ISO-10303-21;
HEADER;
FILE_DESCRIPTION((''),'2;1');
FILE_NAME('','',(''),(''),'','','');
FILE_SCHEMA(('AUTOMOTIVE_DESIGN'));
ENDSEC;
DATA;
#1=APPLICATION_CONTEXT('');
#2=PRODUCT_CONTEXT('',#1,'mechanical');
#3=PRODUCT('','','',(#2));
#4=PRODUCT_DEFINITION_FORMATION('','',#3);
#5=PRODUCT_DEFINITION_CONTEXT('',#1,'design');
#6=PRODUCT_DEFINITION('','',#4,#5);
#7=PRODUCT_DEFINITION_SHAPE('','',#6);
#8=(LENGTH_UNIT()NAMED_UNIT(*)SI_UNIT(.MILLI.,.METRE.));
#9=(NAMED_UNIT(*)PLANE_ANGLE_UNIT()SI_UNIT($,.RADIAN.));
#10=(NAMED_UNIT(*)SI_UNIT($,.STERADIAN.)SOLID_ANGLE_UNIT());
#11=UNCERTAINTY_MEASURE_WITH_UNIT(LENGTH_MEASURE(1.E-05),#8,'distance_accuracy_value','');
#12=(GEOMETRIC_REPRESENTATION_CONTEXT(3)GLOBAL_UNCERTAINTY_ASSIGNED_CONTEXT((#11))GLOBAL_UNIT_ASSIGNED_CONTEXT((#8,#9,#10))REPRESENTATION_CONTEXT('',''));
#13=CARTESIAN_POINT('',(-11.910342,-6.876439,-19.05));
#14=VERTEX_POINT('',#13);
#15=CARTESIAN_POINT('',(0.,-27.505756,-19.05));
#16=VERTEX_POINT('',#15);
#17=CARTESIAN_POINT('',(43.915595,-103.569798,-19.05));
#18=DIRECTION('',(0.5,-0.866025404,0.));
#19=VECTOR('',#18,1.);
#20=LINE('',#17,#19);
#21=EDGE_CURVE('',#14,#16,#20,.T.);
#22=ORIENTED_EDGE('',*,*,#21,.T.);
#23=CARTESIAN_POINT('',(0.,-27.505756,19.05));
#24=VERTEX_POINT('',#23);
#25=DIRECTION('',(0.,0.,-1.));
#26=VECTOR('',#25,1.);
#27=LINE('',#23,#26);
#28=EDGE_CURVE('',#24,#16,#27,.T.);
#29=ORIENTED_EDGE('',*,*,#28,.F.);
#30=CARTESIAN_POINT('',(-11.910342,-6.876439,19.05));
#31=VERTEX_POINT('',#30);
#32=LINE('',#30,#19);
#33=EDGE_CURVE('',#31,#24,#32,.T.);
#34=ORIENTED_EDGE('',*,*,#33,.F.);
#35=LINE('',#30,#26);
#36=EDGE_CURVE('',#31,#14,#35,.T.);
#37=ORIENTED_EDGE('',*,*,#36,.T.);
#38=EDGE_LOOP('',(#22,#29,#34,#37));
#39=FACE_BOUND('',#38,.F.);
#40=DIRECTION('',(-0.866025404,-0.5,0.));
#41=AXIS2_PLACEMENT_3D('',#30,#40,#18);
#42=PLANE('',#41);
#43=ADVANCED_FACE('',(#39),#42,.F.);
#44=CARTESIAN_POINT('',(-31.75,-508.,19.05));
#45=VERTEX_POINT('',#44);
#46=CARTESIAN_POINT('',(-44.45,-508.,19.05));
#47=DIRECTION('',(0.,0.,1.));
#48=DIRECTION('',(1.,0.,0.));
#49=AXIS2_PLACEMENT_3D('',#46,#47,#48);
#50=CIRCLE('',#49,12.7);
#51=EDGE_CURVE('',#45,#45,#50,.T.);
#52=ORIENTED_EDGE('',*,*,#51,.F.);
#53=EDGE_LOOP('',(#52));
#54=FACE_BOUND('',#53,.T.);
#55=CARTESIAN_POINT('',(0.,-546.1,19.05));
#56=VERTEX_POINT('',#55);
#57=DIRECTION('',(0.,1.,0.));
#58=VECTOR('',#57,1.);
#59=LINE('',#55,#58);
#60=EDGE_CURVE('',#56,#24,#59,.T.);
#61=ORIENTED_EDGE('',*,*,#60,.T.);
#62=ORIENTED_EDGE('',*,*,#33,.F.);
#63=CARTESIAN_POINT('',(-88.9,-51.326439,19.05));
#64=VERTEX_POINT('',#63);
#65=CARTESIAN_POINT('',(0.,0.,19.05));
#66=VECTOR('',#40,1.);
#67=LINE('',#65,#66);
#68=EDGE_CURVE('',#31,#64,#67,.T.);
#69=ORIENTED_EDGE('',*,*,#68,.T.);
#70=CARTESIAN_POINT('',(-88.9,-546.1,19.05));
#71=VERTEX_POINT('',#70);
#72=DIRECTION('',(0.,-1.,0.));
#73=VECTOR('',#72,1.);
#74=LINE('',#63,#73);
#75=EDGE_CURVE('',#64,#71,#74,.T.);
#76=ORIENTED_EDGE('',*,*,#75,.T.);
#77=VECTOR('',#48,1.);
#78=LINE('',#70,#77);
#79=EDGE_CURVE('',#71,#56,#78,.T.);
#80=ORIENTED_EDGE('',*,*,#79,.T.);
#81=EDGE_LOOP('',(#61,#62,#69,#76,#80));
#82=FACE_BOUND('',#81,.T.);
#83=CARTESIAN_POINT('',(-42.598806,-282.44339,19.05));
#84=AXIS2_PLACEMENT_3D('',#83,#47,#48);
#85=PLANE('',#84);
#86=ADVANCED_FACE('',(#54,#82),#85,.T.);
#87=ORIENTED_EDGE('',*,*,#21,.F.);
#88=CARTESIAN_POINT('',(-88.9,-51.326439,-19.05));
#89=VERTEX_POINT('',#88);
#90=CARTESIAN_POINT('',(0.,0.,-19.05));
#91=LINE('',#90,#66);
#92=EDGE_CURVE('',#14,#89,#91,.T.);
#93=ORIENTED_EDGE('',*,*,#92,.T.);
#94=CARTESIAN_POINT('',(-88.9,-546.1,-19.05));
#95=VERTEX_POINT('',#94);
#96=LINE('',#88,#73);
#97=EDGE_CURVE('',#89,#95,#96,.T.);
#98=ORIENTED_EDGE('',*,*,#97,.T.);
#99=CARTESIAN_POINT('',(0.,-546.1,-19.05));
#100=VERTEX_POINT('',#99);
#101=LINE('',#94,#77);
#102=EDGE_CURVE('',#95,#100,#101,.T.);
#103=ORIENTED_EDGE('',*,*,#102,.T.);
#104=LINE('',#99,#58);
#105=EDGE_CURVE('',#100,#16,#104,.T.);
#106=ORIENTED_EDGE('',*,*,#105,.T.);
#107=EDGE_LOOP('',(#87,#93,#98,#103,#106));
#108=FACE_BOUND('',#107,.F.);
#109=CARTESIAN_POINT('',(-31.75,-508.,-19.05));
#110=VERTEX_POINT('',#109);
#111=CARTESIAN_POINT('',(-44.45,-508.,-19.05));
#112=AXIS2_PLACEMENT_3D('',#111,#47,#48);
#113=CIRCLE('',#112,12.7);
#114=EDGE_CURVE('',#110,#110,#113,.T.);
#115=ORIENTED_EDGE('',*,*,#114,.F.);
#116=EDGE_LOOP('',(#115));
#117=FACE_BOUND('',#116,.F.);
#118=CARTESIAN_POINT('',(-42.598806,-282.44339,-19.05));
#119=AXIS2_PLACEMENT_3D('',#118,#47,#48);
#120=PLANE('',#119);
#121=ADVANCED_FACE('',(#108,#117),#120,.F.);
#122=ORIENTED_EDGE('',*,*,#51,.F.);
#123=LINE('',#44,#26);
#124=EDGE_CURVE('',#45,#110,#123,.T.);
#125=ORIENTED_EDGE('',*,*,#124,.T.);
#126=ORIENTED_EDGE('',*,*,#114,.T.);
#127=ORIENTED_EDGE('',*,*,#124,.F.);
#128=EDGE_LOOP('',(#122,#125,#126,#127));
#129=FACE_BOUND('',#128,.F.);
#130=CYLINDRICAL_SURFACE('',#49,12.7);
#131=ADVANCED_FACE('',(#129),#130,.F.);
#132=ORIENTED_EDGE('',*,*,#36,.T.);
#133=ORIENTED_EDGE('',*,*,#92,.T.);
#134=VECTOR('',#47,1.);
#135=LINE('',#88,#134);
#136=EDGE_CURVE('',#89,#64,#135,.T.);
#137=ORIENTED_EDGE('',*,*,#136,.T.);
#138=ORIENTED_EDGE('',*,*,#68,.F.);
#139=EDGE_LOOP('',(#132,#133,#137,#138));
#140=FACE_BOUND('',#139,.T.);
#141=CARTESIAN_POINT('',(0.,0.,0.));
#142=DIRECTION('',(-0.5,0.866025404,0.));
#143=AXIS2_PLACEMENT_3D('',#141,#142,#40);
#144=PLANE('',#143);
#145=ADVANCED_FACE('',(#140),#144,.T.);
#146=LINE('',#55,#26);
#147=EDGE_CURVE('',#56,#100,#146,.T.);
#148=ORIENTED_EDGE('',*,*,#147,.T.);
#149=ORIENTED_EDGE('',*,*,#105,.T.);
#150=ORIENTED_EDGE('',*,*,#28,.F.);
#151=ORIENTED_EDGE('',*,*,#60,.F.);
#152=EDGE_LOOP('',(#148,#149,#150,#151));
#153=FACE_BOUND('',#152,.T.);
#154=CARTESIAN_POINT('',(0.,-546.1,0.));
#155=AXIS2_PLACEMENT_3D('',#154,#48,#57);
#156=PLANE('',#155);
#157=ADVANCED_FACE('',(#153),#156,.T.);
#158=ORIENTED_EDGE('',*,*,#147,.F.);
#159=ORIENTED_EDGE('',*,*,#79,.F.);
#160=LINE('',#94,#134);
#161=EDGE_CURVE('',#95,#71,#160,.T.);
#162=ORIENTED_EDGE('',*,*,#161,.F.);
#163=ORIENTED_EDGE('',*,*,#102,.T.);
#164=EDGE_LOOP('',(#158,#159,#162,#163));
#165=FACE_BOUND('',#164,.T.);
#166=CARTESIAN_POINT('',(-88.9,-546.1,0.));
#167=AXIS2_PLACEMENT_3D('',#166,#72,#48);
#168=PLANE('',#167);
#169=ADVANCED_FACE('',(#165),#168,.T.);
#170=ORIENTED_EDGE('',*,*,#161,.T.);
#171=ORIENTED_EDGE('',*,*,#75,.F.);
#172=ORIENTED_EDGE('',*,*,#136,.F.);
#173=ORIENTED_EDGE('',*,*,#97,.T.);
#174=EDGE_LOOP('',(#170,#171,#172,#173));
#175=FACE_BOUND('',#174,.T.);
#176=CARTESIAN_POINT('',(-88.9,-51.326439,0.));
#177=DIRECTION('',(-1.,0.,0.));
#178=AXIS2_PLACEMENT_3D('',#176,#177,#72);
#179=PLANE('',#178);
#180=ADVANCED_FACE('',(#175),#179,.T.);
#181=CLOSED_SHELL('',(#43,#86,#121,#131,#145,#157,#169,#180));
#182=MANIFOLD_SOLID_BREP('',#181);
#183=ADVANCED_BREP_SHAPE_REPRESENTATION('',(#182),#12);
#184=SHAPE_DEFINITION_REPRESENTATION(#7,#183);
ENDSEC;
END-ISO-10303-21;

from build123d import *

# Parameters (mm, degrees)
F1_DEPTH = 19.05
F3_DEPTH = 38.101
F4_R     = 12.7
F5_DEPTH = 38.101


with BuildPart() as f1:
    # F0 (on Top) → F1 (new body, symmetric)
    with BuildSketch(Plane.XY):
        Polygon((0, 0), (-88.9, -51.326438931), (-88.9, -546.1), (0, -546.1), align=None)
    extrude(amount=F1_DEPTH, both=True)

    # F2 (on face) → F3 (cut, through all)
    with BuildSketch(Plane.XY.offset(19.05)):
        Polygon((0, -27.5057557238), (0, 0), (-11.9103416036, -6.876438931), align=None)
    extrude(amount=-F3_DEPTH, mode=Mode.SUBTRACT)

    # F4 (on face) → F5 (cut, through all)
    with BuildSketch(Plane.XY.offset(19.05)):
        with Locations((-44.45, -508)):
            Circle(F4_R)
    extrude(amount=-F5_DEPTH, mode=Mode.SUBTRACT)


solid = f1.part
